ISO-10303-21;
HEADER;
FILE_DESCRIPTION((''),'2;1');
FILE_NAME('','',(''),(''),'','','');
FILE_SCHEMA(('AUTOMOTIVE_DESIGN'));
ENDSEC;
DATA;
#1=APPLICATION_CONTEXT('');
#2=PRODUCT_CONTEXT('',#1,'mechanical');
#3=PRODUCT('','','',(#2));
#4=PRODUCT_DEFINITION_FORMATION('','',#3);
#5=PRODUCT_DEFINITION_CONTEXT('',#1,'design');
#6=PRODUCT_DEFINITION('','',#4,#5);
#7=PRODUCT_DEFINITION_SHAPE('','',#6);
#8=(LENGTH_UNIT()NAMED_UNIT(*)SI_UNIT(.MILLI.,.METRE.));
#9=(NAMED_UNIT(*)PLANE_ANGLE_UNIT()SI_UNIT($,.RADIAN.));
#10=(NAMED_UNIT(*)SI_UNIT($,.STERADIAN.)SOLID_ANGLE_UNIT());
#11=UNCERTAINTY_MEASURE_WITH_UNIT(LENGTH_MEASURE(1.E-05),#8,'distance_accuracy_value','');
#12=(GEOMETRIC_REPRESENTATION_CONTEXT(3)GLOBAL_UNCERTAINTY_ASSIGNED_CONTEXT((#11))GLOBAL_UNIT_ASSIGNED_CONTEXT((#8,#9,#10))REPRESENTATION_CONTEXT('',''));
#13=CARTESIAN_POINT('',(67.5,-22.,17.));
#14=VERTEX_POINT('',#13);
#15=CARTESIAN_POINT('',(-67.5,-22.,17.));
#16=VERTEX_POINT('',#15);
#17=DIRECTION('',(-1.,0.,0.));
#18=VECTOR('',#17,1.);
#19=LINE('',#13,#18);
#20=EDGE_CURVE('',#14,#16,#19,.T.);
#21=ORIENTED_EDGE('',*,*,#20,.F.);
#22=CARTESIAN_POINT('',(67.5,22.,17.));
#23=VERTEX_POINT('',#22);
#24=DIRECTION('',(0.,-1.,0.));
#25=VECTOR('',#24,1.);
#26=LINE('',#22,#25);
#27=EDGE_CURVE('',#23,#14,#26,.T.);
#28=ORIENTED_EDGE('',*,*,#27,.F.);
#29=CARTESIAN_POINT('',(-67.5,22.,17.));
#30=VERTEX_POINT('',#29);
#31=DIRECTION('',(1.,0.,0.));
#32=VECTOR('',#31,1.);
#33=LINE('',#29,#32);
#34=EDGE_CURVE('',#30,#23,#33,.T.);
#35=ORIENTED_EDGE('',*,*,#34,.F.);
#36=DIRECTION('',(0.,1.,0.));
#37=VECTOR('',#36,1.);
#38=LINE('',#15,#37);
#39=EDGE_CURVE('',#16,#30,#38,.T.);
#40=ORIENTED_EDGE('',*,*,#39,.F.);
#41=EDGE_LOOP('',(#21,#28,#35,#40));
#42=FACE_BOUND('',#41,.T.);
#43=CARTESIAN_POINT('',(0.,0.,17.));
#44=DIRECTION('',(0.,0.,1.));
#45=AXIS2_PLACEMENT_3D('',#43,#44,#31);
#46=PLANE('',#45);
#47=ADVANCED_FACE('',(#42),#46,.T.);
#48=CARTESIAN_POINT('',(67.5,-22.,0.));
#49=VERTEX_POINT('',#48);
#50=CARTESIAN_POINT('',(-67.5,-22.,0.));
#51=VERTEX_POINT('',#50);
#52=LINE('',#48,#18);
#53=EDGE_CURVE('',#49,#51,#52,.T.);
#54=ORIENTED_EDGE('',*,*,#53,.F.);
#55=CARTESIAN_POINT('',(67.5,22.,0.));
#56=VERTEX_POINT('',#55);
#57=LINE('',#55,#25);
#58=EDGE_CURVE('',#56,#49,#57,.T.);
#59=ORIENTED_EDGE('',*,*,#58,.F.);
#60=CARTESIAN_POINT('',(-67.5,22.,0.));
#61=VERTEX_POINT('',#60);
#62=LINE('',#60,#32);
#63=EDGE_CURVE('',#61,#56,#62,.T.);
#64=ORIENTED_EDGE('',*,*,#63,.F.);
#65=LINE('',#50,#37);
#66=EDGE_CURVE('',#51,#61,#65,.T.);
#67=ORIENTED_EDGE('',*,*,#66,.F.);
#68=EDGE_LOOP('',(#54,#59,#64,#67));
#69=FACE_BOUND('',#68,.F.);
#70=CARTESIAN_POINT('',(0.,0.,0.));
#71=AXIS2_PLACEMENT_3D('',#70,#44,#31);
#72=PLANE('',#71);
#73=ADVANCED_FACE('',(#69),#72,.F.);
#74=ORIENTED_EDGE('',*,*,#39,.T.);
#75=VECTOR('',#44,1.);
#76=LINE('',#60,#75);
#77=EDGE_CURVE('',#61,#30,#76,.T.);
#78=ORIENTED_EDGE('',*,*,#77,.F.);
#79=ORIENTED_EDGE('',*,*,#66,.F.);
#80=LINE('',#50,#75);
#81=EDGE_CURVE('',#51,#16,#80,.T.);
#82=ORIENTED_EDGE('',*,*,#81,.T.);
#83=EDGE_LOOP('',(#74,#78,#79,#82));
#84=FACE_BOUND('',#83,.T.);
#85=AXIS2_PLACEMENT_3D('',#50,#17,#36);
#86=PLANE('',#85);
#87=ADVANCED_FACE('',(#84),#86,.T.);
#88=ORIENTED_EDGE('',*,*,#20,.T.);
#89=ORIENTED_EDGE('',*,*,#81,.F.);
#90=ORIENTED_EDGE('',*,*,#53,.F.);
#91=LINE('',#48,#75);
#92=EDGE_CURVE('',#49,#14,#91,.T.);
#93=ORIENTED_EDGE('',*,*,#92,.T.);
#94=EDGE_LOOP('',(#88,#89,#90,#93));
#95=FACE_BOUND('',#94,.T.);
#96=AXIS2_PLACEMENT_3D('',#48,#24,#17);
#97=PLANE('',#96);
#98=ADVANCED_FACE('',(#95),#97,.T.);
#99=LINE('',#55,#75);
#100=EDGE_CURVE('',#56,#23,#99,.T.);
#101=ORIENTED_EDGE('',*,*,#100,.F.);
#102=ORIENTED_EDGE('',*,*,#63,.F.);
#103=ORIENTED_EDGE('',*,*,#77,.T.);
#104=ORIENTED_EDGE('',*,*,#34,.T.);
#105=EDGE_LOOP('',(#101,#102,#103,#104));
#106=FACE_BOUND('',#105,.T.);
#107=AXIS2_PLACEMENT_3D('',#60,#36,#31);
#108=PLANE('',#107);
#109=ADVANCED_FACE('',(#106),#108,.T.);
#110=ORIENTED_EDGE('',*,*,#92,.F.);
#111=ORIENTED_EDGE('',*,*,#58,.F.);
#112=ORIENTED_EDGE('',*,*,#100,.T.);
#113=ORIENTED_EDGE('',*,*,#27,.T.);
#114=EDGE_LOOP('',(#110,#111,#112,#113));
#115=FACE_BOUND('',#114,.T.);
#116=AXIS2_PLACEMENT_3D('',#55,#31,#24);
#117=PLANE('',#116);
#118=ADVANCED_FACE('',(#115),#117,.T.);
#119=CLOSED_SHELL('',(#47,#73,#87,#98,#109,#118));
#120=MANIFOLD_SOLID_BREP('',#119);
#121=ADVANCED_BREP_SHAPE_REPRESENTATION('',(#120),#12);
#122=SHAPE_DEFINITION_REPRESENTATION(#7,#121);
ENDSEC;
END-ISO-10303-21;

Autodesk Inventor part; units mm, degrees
ref_plane "YZ Plane" through (0, 0, 0) normal (1, 0, 0) x (0, 1, 0)
ref_plane "XZ Plane" through (0, 0, 0) normal (0, 1, 0) x (-1, 0, 0)
ref_plane "XY Plane" through (0, 0, 0) normal (0, 0, 1) x (1, 0, 0)
sketch "Sketch1" plane through (0, 0, 0) normal (0, 0, 1) x (1, 0, 0)
  line L0 (-67.5, 22) -> (67.5, 22)
  line L1 (67.5, 22) -> (67.5, -22)
  line L2 (67.5, -22) -> (-67.5, -22)
  line L3 (-67.5, -22) -> (-67.5, 22)
  line L4 (-67.5, 22) -> (67.5, -22) construction
  line L5 (67.5, 22) -> (-67.5, -22) construction
  point P0 (0, 0)
  dimension "d0" = 135
  dimension "d1" = 44
extrude "Extrusion1" add sketch "Sketch1" along normal blind 17
properties part number "Battery"
